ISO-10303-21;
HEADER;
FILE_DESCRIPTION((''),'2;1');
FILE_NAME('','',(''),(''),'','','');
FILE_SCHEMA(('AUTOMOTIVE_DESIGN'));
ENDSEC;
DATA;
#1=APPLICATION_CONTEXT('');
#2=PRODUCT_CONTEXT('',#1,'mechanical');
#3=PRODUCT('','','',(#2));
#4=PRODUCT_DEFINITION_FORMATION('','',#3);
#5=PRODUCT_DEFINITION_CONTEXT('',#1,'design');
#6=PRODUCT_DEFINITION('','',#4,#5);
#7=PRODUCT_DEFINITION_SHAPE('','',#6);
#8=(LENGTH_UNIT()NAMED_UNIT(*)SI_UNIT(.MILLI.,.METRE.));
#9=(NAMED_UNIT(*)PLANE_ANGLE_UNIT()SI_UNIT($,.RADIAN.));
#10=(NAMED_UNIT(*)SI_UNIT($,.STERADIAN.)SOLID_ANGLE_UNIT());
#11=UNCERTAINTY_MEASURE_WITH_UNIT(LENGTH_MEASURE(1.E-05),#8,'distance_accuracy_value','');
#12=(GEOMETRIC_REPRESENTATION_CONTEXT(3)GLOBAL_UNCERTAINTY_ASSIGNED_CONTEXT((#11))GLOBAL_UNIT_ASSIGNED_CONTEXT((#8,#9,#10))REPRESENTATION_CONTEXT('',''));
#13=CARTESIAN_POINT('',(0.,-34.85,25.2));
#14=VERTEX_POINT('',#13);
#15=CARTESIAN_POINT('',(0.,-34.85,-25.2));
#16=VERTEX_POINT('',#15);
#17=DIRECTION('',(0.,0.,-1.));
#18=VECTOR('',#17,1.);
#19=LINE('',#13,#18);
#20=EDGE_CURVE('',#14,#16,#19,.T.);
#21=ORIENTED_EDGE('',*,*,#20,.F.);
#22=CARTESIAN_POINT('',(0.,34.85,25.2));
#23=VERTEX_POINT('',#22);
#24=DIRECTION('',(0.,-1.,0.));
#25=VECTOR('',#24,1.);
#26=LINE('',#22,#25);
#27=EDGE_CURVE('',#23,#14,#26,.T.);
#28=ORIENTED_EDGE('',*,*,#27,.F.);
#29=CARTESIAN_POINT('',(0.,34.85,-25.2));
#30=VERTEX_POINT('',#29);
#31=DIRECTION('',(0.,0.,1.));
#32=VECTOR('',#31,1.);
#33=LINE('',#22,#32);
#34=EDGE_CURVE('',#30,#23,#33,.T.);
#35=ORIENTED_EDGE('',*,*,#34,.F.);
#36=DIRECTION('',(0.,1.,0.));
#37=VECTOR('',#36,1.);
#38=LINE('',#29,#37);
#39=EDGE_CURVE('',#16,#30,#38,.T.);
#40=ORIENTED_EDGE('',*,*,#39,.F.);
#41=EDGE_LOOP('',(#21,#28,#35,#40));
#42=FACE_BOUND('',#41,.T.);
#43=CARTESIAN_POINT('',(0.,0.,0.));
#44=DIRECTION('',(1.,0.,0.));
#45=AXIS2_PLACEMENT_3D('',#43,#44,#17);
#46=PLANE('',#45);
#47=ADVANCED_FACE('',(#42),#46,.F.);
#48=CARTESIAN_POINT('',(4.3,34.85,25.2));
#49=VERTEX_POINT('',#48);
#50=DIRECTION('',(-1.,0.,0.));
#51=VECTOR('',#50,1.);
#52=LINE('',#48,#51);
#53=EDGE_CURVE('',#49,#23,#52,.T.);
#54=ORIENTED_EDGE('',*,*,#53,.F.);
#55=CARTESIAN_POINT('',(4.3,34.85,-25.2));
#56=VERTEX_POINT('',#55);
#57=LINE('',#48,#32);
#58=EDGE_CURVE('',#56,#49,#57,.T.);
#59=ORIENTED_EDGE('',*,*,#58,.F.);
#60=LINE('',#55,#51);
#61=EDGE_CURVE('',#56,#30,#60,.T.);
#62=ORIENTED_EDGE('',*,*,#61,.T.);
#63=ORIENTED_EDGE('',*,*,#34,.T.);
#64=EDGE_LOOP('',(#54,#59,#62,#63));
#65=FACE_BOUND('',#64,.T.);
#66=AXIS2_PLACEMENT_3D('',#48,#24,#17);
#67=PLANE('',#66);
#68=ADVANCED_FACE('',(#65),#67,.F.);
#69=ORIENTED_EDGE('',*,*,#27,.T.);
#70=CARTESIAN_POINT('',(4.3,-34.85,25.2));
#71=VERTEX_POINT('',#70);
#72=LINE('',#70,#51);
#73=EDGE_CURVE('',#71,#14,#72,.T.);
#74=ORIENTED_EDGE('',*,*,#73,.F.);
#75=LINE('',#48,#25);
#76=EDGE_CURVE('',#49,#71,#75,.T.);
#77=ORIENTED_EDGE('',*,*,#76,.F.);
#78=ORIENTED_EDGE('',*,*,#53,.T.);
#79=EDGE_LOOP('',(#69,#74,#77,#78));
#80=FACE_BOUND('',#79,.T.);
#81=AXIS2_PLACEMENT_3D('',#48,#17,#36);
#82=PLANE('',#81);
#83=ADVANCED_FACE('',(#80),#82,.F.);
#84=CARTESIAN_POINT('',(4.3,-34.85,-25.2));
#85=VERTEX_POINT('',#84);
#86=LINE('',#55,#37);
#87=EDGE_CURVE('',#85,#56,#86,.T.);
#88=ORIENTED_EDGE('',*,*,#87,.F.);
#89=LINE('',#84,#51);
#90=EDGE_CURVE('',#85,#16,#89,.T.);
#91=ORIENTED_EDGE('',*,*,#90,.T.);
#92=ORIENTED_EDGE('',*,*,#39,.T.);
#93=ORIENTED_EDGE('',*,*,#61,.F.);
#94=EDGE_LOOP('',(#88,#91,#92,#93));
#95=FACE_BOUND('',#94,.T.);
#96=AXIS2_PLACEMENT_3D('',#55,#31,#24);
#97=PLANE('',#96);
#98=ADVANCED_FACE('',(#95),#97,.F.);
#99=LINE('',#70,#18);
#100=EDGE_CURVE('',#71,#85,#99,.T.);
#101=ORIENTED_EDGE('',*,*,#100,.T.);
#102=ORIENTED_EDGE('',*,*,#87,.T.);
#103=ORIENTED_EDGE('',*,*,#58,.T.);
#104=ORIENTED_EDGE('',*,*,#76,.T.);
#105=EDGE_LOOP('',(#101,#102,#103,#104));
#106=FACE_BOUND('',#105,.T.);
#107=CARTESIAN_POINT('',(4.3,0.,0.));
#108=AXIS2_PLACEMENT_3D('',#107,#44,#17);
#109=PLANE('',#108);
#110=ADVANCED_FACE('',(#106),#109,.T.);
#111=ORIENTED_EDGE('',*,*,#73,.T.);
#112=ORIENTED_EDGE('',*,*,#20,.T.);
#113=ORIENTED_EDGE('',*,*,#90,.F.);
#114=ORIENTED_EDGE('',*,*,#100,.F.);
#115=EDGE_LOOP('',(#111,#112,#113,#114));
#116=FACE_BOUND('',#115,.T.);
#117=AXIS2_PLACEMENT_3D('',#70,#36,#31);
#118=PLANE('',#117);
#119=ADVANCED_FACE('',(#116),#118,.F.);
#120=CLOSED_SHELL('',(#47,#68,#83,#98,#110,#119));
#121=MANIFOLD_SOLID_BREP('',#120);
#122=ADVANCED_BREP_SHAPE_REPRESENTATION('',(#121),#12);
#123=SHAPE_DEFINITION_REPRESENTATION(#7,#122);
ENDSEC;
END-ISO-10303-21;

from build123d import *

# Parameters (mm, degrees)
SKETCH_1_W      = 50.4
SKETCH_1_H      = 69.7
EXTRUDE_1_DEPTH = 4.3


with BuildPart() as part:
    # 草图1 → 凸台-拉伸1 (new body)
    with BuildSketch(Plane(origin=(0, 0, 0), x_dir=(0, 0, -1), z_dir=(1, 0, 0))):
        Rectangle(SKETCH_1_W, SKETCH_1_H)
    extrude(amount=EXTRUDE_1_DEPTH)


solid = part.part
